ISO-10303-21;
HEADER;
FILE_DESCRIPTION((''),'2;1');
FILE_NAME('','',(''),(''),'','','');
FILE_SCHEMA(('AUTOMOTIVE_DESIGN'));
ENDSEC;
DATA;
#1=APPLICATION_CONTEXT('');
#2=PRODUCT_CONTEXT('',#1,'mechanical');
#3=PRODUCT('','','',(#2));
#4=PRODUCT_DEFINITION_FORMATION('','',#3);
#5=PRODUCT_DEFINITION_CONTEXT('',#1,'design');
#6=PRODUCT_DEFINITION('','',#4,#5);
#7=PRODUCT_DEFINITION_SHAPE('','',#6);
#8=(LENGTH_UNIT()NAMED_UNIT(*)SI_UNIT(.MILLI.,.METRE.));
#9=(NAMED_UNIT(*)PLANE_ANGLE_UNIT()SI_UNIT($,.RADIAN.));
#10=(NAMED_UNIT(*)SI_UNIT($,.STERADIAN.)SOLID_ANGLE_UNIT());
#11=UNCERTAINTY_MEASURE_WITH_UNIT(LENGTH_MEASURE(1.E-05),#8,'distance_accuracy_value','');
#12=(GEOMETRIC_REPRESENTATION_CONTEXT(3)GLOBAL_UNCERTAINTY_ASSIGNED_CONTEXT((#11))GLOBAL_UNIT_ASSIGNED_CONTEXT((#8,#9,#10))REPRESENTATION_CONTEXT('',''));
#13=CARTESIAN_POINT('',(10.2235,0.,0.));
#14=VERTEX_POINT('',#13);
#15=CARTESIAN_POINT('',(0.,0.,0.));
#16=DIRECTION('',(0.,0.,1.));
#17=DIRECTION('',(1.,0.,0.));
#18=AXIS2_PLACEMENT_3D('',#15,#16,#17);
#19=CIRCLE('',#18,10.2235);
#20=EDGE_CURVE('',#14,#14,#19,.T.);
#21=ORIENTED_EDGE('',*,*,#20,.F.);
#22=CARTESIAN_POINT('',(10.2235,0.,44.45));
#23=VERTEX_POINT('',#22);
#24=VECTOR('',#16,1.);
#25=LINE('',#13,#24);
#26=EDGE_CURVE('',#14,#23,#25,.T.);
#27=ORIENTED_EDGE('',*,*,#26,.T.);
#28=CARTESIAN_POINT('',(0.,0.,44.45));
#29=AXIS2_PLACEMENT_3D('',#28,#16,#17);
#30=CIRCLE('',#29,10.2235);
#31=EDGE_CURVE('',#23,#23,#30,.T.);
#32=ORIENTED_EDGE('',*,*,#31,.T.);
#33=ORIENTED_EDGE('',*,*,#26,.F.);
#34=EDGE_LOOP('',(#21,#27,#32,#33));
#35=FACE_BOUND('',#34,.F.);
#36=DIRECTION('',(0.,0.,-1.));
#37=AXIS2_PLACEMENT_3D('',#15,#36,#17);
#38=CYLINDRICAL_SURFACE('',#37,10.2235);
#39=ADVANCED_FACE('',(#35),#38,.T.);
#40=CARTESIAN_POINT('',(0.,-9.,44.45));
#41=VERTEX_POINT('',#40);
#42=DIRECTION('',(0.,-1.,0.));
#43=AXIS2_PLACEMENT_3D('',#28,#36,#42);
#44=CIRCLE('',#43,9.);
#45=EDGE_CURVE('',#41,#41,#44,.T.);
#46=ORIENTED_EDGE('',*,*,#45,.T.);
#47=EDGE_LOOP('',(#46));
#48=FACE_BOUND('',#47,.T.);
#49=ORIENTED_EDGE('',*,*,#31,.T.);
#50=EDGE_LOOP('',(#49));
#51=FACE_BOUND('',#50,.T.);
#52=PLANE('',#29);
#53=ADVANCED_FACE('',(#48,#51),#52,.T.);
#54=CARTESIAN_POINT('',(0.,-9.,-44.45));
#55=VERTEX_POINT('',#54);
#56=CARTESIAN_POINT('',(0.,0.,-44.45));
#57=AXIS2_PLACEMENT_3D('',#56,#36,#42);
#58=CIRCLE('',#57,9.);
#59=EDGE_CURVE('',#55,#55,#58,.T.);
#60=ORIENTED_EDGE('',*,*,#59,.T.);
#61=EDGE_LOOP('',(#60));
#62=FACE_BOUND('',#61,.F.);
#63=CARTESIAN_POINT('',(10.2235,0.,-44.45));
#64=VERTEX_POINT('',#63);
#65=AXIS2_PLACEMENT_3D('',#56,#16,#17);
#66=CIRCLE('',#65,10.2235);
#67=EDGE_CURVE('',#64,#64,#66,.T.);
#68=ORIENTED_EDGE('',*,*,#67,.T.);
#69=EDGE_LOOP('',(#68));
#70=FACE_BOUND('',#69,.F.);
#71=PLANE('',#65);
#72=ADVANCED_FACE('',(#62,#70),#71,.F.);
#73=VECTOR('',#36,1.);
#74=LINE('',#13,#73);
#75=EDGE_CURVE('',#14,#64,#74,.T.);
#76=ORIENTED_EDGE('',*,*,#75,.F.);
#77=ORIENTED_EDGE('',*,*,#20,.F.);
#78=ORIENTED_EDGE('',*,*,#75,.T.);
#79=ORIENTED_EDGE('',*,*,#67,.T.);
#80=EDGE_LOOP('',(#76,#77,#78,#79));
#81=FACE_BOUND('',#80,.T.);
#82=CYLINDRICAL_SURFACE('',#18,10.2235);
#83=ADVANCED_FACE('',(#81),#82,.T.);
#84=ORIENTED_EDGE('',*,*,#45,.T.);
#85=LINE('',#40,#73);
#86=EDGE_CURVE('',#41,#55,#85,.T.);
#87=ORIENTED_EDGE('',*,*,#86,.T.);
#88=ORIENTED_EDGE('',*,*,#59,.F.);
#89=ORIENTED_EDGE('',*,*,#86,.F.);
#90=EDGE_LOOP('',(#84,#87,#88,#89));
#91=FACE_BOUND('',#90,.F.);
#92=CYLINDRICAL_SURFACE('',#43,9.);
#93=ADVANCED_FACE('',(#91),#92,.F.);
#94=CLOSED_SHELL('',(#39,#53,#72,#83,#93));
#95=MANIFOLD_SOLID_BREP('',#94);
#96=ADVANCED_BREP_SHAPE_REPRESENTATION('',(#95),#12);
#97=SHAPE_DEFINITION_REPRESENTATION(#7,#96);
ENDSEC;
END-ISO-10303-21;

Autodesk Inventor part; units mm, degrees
ref_plane "YZ Plane" through (0, 0, 0) normal (1, 0, 0) x (0, 1, 0)
ref_plane "XZ Plane" through (0, 0, 0) normal (0, 1, 0) x (-1, 0, 0)
ref_plane "XY Plane" through (0, 0, 0) normal (0, 0, 1) x (1, 0, 0)
sketch "Sketch1" plane through (0, 0, 0) normal (0, 0, 1) x (1, 0, 0)
  circle A0 centre (0, 0) radius 10.2235
  dimension "d0" = 20.447
extrude "Extrusion1" add sketch "Sketch1" along normal mid plane 88.9
sketch "Sketch2" plane through (0, 0, 44.45) normal (0, 0, 1) x (1, 0, 0)
  circle A0 centre (0, 0) radius 5.0469
hole "Hole1" at (0, 0, 44.45) direction (0, 0, -1) diameter 18 end through all
properties part number "CNC-Y-axis- slider tube"
